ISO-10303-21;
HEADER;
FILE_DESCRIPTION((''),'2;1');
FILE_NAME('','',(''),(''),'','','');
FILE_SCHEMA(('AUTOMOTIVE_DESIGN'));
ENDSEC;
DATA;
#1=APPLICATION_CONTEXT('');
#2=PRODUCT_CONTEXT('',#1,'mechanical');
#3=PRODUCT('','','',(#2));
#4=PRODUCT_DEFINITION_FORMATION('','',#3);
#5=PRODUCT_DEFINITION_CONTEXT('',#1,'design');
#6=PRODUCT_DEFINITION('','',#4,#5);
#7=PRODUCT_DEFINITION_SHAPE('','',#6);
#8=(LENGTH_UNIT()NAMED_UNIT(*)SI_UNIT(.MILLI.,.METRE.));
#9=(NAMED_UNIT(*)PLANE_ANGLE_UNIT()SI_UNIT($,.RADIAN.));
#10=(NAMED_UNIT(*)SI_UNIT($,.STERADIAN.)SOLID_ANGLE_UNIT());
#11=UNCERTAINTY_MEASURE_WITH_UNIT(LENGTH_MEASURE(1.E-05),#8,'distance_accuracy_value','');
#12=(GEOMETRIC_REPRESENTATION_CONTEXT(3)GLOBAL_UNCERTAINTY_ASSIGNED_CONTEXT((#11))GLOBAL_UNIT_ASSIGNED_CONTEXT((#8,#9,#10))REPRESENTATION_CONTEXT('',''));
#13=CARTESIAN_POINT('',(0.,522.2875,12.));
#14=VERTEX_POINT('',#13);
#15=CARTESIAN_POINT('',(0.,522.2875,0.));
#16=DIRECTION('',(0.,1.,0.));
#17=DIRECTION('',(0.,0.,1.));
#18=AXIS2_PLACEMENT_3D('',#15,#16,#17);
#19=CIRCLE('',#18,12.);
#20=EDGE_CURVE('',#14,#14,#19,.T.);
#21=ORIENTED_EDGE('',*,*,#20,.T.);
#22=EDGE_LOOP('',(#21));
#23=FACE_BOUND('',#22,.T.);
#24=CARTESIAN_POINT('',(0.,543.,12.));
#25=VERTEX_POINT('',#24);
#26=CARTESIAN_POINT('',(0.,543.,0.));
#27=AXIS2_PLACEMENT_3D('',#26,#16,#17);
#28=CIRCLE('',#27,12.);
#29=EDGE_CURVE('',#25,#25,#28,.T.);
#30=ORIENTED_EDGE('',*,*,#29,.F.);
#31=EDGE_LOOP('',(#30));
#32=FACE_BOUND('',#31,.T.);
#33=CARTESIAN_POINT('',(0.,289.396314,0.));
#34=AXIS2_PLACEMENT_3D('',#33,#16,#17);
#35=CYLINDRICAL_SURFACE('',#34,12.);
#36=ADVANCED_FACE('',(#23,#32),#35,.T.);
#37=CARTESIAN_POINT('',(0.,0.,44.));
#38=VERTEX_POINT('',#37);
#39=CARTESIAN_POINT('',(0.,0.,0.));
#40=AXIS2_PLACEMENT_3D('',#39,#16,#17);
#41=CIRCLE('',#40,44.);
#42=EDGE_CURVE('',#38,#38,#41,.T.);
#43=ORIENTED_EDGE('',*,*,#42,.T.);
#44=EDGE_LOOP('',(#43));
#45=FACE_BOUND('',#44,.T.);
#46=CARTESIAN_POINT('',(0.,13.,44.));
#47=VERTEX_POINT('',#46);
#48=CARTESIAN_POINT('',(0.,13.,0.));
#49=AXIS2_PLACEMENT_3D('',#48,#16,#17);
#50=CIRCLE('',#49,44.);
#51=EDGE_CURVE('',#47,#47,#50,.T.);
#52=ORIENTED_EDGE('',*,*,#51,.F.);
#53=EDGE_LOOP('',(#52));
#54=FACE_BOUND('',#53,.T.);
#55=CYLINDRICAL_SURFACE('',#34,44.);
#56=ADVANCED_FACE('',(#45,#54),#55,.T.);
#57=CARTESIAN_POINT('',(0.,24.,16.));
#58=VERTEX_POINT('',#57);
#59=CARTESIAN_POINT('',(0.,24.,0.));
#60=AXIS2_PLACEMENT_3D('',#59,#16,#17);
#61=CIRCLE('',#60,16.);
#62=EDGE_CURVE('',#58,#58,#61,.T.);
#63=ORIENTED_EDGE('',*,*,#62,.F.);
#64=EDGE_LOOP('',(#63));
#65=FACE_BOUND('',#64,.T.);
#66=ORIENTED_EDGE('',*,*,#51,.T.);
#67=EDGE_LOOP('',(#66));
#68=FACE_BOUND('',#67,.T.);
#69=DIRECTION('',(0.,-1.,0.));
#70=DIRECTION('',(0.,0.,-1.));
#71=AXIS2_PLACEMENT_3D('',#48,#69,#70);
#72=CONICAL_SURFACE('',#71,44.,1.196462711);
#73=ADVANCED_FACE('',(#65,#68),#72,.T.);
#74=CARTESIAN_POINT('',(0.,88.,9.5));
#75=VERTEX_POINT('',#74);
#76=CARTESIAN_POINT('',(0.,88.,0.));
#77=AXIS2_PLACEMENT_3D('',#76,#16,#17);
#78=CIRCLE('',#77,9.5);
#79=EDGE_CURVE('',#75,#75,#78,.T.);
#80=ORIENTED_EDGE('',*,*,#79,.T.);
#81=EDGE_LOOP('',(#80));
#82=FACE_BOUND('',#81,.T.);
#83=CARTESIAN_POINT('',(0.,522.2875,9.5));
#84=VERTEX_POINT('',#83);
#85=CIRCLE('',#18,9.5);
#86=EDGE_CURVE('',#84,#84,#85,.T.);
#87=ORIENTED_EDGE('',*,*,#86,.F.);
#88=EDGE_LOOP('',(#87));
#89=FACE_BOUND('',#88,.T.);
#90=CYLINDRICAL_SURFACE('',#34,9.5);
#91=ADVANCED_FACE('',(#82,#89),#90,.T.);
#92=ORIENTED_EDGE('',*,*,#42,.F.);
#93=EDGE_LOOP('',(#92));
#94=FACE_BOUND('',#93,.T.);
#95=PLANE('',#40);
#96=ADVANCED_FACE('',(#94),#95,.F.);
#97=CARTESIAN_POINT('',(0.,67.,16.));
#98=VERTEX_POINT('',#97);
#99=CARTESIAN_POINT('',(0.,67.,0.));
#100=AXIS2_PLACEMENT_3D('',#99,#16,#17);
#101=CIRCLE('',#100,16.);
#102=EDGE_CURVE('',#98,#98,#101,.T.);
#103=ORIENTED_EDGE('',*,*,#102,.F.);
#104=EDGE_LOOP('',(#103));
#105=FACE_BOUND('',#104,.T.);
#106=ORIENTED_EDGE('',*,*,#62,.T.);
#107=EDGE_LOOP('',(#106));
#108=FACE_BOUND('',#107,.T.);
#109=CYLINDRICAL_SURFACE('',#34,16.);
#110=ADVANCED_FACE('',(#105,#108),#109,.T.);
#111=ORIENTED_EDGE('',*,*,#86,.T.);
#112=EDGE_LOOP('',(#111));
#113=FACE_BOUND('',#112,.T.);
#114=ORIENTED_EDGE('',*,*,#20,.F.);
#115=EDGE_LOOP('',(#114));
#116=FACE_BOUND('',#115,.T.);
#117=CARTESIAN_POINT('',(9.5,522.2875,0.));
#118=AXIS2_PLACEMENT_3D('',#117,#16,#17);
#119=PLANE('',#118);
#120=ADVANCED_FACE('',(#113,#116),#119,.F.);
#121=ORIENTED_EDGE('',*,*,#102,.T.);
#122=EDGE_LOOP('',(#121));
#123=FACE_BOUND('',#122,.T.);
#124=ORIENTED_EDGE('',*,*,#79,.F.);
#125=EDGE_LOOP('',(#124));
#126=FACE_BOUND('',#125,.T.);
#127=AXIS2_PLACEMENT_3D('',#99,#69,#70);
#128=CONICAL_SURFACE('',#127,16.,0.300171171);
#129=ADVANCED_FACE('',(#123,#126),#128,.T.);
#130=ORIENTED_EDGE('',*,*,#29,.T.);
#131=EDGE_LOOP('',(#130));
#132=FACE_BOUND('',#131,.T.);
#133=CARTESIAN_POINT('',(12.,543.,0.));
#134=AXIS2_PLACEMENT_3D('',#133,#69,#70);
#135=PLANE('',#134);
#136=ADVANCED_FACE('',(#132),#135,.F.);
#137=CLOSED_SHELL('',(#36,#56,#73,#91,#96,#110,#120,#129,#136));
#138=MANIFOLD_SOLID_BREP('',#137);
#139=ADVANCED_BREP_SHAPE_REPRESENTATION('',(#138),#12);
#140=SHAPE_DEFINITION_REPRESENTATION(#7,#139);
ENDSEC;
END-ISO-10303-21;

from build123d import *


with BuildPart() as part:
    # Sketch1 → Revolve1 (revolve)
    with BuildSketch(Plane.XY, mode=Mode.PRIVATE) as revolve1_sk:
        Polygon((0, 0), (44, 0), (44, 13), (16, 24), (16, 67), (9.5, 88), (9.5, 522.2875), (12, 522.2875), (12, 543), (0, 543), align=None)
    revolve(revolve1_sk.sketch.rotate(Axis((0, 289.396314171, 0), (0, -1, 0)), 90), axis=Axis((0, 289.396314171, 0), (0, -1, 0)))


solid = part.part
